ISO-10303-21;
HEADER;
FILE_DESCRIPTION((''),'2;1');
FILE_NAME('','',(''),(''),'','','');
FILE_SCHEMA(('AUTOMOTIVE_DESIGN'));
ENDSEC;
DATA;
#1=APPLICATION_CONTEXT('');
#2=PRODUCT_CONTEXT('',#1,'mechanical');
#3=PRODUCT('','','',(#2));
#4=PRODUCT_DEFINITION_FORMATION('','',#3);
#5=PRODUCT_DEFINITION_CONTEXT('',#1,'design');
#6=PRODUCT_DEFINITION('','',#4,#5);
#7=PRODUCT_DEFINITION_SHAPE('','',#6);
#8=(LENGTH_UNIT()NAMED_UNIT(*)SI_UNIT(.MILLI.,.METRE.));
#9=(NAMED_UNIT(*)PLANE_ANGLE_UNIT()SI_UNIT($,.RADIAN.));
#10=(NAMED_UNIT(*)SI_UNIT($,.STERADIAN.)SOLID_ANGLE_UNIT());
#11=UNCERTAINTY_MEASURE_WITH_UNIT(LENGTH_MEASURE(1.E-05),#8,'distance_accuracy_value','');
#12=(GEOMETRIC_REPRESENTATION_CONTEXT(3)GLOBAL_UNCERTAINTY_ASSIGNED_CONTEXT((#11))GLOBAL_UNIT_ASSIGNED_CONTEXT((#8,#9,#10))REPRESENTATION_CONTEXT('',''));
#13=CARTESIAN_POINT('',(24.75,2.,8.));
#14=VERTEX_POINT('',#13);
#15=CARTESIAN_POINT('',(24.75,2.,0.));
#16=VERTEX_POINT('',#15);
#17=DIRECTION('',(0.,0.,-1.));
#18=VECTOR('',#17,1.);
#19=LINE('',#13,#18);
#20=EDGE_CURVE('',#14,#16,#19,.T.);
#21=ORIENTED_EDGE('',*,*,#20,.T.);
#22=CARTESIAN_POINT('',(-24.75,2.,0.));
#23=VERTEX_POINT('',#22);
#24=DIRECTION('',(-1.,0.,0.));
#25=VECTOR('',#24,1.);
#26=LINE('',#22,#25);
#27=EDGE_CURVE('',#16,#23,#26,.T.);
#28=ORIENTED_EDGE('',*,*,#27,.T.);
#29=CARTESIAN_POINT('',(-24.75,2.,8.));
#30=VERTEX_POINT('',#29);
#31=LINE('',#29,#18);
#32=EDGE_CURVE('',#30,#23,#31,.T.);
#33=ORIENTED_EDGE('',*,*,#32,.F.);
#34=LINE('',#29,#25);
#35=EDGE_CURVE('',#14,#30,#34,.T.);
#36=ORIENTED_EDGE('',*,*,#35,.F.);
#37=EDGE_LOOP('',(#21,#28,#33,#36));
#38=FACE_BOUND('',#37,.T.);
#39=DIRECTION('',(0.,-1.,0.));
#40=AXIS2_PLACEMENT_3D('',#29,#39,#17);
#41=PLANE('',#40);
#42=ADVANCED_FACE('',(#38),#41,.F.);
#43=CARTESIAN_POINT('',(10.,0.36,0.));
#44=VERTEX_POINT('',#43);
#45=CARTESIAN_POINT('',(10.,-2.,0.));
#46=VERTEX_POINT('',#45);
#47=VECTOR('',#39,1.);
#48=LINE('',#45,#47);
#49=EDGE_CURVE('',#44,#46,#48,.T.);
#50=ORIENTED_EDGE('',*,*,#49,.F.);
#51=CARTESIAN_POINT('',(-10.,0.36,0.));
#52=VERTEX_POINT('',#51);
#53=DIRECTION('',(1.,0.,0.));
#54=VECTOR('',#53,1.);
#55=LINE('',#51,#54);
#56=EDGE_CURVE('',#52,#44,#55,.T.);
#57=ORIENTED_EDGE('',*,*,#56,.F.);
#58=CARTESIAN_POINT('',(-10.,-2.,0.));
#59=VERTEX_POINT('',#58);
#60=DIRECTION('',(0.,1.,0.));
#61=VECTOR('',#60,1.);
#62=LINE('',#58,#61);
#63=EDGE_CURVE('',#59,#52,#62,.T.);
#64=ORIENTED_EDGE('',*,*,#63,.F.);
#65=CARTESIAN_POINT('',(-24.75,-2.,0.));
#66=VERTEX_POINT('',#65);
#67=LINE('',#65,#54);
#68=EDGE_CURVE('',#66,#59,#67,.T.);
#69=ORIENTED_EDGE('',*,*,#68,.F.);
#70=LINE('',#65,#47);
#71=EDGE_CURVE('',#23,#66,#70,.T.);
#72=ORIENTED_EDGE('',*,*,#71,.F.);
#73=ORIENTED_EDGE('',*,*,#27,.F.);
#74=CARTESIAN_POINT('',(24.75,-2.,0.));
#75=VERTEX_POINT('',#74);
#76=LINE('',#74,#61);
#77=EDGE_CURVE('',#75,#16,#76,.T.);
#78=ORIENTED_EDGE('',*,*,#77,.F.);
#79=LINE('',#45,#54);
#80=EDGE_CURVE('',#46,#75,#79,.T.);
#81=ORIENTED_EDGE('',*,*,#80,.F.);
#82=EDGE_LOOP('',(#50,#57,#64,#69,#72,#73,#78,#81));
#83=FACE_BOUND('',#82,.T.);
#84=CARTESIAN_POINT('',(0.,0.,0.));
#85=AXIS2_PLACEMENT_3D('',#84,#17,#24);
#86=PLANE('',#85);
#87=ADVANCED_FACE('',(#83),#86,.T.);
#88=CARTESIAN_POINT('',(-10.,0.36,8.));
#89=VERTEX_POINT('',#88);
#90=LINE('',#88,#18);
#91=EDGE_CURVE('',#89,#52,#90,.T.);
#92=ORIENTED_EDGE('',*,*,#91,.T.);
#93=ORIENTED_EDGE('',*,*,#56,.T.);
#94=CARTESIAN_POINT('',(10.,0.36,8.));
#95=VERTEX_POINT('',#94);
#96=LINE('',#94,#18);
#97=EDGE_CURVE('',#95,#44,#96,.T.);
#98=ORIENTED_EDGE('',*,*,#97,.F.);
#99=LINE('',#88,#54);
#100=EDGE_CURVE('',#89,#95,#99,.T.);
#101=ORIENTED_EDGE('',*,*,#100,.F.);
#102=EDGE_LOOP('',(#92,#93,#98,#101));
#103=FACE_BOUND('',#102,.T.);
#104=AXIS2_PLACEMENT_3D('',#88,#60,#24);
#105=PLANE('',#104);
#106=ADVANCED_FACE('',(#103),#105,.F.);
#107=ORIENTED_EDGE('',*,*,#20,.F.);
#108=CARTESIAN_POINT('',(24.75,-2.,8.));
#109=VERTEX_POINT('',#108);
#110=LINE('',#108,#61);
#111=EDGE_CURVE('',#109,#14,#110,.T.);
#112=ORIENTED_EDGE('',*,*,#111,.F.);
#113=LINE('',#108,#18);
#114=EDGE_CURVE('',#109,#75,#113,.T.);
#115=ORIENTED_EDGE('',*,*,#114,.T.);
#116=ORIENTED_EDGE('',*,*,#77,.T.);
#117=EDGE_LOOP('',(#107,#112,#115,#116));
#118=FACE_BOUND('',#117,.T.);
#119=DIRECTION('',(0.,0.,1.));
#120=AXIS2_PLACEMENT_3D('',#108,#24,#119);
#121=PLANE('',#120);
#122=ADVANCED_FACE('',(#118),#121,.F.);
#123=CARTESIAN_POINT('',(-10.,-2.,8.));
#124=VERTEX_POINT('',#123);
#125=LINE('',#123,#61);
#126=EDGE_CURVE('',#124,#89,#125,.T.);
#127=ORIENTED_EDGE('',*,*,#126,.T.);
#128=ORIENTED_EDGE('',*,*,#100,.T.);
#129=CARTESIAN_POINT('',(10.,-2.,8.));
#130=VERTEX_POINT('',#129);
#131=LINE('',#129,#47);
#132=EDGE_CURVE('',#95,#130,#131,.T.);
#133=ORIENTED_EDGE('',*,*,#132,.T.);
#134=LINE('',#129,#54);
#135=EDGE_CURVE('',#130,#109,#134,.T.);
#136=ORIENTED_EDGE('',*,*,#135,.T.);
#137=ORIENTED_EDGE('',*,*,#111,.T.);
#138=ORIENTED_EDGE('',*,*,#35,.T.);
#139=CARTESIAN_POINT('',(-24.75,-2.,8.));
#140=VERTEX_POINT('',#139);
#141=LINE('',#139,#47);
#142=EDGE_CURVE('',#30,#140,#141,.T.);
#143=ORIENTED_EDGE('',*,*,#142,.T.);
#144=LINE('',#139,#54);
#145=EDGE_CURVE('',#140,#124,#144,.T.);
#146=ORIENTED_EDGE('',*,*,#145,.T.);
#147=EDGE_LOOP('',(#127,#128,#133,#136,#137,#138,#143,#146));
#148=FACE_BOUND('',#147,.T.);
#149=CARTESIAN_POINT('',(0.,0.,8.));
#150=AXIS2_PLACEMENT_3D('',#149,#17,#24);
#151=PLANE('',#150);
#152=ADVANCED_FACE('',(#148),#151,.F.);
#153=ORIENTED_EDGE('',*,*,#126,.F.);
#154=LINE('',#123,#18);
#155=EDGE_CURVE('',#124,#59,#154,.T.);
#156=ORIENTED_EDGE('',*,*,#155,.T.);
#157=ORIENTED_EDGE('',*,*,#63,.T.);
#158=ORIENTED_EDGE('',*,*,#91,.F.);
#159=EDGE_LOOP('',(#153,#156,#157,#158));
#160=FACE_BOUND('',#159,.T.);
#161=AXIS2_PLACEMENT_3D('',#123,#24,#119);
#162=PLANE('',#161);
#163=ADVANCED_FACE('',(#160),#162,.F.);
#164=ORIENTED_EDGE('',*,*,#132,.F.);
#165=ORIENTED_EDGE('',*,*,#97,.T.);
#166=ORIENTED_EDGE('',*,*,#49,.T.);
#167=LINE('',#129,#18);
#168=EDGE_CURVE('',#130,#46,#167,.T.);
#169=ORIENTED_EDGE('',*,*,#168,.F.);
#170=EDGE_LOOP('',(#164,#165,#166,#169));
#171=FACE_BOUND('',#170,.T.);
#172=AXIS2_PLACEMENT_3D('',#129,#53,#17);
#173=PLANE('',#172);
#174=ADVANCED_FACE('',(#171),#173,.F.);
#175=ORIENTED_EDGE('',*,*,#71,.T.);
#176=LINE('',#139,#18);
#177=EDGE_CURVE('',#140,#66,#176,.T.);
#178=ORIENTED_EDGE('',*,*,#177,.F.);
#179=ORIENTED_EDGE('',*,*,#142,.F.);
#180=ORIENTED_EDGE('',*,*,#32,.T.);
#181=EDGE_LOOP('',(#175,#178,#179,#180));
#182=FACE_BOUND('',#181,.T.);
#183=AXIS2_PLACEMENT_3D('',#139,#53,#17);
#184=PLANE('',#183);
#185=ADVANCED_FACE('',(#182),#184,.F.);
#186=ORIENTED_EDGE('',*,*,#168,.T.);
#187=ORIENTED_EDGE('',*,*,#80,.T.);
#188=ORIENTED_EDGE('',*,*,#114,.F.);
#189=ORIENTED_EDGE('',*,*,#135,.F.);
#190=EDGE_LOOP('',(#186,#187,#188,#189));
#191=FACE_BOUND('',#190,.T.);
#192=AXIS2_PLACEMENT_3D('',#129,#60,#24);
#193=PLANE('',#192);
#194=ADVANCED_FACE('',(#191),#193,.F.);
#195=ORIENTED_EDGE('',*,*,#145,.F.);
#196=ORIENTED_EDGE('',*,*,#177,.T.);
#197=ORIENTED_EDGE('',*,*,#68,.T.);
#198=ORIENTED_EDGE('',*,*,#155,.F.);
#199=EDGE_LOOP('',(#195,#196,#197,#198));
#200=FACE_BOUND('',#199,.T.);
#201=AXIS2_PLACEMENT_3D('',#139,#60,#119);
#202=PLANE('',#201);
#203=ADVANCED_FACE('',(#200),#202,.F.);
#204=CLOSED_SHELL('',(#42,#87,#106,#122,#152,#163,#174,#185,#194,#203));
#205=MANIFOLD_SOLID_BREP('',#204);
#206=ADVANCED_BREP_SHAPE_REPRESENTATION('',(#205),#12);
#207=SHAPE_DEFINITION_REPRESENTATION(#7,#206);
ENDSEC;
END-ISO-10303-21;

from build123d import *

# Parameters (mm, degrees)
BOSS_EXTRUDE1_DEPTH = 8


with BuildPart() as part:
    # Sketch1 → Boss-Extrude1 (new body)
    with BuildSketch(Plane.XY):
        Polygon((-24.75, -2), (-10, -2), (-10, 0.36), (10, 0.36), (10, -2), (24.75, -2), (24.75, 2), (-24.75, 2), align=None)
    extrude(amount=BOSS_EXTRUDE1_DEPTH)


solid = part.part
